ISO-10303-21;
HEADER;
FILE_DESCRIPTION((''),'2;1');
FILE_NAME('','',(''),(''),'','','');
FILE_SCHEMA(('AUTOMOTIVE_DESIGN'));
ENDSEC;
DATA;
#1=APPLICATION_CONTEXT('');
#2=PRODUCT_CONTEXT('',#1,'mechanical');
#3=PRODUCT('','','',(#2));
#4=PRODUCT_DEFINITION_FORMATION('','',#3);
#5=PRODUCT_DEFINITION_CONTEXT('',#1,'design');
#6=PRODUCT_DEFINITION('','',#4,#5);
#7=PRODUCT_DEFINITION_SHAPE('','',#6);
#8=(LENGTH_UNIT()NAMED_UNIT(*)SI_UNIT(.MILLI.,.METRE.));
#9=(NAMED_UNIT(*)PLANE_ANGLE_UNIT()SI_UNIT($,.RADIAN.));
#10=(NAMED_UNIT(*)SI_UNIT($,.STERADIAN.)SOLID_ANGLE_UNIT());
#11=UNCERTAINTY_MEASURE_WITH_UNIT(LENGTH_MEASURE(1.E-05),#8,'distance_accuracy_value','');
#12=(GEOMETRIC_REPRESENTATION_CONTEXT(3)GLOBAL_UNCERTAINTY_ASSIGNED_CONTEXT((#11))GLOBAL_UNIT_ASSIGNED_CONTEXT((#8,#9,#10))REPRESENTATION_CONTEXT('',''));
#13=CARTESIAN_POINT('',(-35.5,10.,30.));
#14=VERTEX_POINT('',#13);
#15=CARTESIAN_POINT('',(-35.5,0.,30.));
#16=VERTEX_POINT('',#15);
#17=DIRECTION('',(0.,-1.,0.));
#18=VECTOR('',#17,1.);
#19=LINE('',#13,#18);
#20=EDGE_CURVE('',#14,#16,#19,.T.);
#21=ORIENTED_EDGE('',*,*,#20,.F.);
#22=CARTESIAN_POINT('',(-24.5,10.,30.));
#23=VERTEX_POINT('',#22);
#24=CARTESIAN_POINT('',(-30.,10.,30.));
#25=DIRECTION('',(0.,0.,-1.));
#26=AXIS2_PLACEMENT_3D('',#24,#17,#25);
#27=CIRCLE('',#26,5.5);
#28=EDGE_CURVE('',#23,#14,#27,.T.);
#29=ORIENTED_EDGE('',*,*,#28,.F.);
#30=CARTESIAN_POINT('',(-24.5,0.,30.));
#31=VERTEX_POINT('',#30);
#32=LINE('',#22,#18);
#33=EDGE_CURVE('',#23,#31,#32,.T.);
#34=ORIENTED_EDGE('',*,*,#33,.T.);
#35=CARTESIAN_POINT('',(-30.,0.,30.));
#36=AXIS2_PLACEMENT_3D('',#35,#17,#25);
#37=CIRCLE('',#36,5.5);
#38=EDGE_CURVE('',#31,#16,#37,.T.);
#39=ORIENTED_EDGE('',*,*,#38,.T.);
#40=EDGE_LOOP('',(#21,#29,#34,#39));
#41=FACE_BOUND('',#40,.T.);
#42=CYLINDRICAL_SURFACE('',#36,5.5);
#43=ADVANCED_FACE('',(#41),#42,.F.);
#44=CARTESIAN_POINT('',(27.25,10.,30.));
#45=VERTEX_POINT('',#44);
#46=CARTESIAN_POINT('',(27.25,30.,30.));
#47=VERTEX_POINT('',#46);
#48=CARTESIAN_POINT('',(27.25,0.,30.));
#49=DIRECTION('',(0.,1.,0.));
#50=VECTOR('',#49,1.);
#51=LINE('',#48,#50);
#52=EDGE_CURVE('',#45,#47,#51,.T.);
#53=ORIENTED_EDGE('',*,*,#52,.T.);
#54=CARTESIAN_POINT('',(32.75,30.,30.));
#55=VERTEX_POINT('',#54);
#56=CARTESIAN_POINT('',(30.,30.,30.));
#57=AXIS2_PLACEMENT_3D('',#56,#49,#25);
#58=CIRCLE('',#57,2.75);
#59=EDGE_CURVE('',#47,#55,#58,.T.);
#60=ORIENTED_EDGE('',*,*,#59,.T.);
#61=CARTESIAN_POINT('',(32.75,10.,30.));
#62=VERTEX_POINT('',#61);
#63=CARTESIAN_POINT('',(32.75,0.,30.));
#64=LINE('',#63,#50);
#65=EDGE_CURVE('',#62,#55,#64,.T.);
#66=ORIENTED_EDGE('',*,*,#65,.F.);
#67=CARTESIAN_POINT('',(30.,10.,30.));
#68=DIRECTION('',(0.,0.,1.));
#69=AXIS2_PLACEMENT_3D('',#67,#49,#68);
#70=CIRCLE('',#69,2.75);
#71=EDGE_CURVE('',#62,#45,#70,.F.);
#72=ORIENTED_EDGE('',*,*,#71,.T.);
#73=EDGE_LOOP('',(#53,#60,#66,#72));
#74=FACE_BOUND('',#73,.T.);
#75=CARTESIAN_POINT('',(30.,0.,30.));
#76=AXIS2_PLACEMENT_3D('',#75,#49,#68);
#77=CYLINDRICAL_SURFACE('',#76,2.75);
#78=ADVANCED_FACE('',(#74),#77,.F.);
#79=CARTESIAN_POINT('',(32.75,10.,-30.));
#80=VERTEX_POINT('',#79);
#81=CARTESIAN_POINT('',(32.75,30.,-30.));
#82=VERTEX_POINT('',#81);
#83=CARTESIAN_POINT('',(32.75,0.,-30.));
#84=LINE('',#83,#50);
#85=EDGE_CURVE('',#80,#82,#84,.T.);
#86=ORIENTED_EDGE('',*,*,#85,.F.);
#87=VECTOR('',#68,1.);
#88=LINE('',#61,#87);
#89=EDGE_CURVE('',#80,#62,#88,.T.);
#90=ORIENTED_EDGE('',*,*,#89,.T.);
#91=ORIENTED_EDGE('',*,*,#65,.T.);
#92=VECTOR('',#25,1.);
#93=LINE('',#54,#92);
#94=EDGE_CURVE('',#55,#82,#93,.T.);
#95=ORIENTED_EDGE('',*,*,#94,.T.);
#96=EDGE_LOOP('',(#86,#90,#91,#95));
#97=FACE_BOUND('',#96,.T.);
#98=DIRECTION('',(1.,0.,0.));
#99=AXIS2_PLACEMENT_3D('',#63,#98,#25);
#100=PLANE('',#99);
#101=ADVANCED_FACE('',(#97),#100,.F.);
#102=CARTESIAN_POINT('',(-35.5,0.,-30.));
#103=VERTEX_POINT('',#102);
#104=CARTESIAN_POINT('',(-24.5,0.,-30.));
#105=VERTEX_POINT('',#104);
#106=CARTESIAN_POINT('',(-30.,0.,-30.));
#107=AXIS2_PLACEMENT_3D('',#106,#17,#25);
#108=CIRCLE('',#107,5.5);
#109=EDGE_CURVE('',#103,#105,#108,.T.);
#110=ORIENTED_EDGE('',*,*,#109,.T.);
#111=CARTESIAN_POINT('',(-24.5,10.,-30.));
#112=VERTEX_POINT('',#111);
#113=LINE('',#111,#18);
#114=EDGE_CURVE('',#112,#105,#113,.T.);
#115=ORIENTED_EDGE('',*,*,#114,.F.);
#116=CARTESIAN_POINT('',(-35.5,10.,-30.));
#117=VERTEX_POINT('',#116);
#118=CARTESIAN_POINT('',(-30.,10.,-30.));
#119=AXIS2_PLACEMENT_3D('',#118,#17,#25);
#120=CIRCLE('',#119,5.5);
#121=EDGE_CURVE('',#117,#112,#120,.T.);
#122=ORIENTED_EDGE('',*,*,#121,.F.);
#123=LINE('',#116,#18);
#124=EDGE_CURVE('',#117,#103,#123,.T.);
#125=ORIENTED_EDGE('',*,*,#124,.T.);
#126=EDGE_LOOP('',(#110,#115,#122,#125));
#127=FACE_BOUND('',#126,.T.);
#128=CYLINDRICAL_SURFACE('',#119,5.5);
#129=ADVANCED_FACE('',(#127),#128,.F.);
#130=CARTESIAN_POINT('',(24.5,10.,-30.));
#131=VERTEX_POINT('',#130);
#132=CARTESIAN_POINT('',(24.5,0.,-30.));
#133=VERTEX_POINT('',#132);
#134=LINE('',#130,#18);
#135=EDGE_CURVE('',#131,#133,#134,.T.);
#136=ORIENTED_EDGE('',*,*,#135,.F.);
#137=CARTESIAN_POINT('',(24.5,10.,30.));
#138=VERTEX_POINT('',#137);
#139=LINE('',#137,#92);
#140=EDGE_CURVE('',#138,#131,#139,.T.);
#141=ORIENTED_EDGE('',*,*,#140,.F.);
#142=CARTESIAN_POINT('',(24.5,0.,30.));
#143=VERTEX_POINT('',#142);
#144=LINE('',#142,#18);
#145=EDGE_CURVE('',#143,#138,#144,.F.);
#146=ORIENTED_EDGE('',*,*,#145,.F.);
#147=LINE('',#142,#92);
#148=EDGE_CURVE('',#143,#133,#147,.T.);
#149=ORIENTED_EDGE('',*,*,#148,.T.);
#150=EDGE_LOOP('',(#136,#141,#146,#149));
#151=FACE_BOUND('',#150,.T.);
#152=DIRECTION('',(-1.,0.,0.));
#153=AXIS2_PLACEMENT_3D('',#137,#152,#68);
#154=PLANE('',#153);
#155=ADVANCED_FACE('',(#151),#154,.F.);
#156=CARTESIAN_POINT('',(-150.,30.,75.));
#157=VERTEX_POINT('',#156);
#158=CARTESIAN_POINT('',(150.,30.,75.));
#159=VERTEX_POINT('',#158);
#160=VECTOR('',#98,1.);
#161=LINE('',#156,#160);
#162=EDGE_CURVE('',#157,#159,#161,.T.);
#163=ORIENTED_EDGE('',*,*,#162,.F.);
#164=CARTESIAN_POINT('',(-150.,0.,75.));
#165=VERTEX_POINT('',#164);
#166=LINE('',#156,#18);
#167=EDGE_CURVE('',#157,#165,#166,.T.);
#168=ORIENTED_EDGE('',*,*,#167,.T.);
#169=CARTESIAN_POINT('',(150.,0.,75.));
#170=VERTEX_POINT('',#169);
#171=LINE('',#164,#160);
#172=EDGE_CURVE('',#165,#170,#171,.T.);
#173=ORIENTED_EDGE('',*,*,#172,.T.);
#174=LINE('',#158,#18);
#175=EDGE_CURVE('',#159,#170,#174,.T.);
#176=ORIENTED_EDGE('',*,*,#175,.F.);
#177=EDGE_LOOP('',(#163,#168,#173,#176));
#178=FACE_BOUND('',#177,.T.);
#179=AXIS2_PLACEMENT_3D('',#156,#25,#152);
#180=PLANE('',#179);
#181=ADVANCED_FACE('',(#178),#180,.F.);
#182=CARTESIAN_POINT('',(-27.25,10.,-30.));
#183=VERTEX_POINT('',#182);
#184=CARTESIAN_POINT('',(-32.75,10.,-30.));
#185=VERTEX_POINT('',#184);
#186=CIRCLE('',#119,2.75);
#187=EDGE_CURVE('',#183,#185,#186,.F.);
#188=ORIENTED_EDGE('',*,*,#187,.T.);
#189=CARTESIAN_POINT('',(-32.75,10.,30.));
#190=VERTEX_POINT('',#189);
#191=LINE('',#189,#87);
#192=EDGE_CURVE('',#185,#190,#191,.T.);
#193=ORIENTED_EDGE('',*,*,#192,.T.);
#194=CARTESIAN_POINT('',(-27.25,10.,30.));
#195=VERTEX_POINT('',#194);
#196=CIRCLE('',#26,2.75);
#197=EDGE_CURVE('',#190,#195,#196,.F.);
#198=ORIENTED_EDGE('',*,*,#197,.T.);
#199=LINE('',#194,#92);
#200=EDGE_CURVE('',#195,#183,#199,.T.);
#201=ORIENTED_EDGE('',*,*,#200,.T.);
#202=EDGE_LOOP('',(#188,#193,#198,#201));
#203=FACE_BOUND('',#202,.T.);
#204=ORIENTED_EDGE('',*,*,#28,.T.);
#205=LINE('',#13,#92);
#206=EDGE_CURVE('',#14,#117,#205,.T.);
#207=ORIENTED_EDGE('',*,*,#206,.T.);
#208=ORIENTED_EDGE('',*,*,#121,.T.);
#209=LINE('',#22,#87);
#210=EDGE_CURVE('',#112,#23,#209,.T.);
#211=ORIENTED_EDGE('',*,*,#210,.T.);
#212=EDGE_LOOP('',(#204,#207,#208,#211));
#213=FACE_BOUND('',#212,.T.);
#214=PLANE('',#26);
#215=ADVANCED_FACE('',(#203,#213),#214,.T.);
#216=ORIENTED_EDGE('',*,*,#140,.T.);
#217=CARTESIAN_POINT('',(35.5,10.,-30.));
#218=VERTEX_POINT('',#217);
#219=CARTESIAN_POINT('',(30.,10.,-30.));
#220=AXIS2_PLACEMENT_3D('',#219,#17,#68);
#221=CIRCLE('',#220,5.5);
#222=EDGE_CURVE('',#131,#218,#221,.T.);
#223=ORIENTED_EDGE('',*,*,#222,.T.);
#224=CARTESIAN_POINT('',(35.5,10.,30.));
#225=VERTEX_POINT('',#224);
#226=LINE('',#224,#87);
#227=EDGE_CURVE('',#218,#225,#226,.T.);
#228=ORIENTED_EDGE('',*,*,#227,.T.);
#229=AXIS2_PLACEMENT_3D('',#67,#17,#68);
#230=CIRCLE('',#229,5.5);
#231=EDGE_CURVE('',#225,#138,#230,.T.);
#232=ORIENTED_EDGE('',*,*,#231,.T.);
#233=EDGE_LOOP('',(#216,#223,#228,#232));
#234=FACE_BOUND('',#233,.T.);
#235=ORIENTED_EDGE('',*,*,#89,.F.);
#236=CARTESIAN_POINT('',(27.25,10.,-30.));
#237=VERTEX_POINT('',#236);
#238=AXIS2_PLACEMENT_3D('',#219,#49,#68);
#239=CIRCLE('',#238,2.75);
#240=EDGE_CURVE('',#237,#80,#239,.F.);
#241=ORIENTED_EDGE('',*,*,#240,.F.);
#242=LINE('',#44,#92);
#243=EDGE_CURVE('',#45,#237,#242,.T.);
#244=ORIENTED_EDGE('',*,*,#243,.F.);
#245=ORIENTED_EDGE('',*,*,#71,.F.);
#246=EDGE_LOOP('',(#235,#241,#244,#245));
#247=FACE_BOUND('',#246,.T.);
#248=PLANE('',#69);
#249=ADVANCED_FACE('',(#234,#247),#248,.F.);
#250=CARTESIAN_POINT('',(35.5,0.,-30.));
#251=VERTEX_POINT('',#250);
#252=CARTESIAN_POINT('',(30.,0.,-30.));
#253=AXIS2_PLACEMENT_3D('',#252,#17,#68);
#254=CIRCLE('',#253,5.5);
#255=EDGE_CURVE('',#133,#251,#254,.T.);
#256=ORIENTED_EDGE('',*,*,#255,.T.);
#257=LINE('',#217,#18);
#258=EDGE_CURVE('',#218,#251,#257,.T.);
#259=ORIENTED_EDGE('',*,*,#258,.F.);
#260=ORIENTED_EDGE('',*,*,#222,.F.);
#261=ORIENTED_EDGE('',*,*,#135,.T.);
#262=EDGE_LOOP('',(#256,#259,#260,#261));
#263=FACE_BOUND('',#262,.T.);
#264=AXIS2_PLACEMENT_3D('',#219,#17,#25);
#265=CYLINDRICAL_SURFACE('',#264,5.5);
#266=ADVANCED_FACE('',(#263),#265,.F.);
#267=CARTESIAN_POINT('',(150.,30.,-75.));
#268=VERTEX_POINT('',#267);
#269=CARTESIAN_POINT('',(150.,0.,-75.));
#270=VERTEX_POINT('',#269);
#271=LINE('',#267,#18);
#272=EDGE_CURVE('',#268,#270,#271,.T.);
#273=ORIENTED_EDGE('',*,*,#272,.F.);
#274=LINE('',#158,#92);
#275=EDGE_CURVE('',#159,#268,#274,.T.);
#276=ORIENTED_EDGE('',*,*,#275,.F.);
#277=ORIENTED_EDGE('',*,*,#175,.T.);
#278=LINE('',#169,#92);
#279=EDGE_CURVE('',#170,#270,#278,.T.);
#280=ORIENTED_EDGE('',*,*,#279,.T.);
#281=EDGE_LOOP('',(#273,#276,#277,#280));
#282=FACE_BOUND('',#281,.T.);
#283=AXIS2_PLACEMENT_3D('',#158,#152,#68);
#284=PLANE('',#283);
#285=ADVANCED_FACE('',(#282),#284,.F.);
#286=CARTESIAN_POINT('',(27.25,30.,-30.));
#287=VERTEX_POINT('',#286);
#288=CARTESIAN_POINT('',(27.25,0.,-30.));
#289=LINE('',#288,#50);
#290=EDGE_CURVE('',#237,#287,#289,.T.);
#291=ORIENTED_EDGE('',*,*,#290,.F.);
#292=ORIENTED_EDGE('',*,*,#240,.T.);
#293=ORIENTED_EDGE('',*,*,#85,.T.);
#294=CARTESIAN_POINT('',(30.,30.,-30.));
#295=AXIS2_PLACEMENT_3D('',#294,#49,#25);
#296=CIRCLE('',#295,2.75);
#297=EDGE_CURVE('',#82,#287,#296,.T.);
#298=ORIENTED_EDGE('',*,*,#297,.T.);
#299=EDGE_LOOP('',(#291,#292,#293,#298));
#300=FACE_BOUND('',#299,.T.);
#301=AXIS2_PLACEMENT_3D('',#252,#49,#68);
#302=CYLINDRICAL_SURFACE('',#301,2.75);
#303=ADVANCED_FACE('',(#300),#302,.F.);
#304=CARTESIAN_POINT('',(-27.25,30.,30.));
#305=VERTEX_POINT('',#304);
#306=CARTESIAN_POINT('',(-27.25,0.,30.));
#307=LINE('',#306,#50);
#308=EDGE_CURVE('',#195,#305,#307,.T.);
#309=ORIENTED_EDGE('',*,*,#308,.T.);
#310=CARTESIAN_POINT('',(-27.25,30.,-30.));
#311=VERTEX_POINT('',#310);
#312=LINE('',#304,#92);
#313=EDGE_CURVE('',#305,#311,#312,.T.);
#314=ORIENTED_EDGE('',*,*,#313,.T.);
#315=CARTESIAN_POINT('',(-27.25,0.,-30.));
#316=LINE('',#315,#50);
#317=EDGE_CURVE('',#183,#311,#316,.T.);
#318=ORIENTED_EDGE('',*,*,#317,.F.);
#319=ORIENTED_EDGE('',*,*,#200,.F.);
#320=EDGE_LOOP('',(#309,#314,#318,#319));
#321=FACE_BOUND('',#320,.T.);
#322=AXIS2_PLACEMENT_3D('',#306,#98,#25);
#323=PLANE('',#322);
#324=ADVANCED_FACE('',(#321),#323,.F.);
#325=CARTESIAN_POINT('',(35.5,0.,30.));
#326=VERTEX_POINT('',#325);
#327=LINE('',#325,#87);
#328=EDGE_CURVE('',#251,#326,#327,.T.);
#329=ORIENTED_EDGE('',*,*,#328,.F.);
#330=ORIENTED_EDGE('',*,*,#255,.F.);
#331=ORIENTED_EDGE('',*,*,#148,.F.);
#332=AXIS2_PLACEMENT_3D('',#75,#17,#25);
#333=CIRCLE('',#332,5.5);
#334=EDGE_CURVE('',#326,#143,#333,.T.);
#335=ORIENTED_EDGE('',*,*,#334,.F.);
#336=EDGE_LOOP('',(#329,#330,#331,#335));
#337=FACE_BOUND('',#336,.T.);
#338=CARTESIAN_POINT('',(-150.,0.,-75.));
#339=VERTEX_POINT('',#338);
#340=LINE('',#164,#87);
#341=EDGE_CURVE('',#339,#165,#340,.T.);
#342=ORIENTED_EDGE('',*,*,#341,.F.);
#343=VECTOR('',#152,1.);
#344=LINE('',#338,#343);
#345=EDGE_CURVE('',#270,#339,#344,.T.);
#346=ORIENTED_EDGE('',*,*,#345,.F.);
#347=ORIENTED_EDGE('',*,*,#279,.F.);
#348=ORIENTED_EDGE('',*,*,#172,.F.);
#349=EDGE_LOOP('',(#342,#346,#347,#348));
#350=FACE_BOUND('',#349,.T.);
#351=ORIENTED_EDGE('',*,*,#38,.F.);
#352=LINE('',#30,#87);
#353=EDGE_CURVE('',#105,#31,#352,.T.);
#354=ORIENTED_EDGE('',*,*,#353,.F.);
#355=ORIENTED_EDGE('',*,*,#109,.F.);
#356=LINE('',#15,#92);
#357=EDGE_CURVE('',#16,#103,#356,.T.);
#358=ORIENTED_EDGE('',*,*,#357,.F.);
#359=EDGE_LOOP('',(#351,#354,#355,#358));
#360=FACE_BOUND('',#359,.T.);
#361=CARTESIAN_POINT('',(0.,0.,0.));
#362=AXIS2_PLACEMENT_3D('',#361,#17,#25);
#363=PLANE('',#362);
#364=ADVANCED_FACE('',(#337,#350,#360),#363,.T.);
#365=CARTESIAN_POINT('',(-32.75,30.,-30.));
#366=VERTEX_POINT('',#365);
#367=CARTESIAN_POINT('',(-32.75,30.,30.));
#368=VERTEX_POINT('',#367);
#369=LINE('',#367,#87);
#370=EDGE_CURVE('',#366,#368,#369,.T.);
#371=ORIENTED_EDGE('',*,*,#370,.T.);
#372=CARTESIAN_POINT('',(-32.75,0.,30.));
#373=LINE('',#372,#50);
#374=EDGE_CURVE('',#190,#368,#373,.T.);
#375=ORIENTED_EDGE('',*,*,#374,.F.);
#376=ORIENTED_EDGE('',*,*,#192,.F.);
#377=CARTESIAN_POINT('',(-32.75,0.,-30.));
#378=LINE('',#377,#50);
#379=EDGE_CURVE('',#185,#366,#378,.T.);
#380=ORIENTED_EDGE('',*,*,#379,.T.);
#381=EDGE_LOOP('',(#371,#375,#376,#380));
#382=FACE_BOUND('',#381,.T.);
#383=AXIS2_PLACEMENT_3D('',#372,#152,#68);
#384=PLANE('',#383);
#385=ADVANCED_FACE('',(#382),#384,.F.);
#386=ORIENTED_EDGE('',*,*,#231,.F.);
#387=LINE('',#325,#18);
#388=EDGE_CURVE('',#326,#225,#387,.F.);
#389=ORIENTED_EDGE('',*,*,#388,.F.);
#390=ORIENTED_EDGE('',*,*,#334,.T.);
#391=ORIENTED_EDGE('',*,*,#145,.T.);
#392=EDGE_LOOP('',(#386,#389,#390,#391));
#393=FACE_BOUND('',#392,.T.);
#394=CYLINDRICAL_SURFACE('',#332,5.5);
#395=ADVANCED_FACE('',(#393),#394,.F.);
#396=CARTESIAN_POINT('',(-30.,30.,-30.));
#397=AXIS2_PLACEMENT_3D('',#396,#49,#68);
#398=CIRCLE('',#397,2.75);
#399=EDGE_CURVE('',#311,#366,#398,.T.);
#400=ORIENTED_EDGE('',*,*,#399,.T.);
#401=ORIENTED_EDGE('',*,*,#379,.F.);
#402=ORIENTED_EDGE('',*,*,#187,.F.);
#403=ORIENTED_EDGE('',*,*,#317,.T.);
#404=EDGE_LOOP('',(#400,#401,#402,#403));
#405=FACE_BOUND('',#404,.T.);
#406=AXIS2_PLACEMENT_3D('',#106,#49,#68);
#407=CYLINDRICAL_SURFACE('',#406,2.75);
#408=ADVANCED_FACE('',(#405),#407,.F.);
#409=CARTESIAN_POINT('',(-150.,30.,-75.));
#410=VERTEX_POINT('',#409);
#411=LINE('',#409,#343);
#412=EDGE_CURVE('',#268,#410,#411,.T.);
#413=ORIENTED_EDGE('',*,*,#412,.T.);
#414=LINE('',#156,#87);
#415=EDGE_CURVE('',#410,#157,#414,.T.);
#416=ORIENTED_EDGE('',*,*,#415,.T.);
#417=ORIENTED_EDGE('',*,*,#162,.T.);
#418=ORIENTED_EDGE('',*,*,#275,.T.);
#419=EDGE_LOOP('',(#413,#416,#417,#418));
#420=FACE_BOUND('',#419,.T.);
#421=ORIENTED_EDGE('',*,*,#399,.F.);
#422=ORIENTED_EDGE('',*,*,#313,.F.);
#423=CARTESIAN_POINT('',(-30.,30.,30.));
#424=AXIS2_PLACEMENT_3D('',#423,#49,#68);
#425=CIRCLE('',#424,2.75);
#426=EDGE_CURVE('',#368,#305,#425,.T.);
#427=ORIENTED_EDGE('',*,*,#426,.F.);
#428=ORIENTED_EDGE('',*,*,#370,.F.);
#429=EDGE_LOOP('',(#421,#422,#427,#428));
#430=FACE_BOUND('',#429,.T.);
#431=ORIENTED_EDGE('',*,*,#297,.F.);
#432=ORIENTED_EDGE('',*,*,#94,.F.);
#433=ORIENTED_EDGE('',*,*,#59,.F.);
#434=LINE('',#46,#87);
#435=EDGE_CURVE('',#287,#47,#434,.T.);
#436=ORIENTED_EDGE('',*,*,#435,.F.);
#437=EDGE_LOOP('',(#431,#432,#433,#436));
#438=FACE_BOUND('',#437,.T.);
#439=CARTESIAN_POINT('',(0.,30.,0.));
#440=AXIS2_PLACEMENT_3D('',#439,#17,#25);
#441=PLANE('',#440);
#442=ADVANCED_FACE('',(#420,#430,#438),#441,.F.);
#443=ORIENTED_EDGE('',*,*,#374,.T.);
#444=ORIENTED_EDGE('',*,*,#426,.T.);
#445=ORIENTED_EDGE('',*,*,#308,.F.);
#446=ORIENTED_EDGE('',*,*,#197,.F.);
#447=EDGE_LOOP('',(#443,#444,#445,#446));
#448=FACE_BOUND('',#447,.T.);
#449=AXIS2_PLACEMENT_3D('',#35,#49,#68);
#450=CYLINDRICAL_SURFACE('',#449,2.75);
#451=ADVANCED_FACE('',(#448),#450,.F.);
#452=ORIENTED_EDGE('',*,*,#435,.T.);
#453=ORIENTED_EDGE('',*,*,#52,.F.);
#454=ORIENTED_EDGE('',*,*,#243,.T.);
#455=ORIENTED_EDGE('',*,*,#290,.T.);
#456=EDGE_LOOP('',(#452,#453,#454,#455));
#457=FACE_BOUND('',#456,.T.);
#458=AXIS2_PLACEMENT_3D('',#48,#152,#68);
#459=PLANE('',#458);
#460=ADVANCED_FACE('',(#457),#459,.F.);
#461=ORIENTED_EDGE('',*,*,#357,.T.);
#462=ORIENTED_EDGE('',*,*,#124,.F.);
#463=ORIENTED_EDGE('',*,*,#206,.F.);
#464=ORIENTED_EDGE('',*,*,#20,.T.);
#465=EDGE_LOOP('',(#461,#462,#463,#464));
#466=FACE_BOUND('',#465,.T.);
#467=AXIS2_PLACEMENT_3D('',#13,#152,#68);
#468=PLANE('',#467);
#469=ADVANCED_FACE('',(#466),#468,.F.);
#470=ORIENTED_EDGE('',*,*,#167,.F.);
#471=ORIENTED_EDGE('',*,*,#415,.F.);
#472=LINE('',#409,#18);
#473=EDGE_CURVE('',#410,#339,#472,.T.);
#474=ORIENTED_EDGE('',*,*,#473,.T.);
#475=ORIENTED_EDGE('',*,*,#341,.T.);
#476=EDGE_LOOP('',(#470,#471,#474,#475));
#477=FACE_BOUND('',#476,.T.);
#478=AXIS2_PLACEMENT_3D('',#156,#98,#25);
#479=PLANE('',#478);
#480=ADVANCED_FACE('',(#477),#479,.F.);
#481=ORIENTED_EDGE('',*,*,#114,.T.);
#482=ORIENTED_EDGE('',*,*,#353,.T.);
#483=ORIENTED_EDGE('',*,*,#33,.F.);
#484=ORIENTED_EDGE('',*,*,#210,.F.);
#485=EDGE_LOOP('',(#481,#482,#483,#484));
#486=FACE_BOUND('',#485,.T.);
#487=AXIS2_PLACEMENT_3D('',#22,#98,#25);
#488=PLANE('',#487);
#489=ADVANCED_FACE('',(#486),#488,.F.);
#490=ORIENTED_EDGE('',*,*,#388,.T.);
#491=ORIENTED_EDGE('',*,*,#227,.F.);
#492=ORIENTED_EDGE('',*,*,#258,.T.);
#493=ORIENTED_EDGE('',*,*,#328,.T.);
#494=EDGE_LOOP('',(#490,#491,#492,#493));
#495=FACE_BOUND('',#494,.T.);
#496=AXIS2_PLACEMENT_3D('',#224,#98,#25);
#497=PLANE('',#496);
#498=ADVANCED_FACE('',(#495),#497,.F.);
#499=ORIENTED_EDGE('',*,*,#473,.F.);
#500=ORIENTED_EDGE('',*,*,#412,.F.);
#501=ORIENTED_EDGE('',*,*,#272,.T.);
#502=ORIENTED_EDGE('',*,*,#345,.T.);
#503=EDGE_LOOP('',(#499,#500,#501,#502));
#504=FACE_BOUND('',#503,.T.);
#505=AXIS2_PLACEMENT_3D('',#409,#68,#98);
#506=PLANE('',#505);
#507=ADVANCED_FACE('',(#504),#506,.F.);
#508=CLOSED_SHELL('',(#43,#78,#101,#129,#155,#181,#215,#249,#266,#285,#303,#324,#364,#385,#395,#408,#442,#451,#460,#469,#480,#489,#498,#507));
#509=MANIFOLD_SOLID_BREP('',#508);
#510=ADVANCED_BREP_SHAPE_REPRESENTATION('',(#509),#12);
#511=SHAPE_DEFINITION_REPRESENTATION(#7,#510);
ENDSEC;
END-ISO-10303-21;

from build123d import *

# Parameters (mm, degrees)
SKETCH1_W                                        = 300
SKETCH1_H                                        = 150
BOSS_EXTRUDE1_DEPTH                              = 30
CUT_EXTRUDE2_DEPTH                               = 30
CBORE_FOR_M5_PAN_HEAD_MACHINE_SCREW1_D           = 5.5
CBORE_FOR_M5_PAN_HEAD_MACHINE_SCREW1_DEPTH       = 110
CBORE_FOR_M5_PAN_HEAD_MACHINE_SCREW1_CBORE_D     = 11
CBORE_FOR_M5_PAN_HEAD_MACHINE_SCREW1_CBORE_DEPTH = 3.7
CUT_EXTRUDE3_DEPTH                               = 10


with BuildPart() as part:
    # Sketch1 → Boss-Extrude1 (new body)
    with BuildSketch(Plane(origin=(0, 0, 0), x_dir=(1, 0, 0), z_dir=(0, 1, 0))):
        Rectangle(SKETCH1_W, SKETCH1_H)
    extrude(amount=BOSS_EXTRUDE1_DEPTH)

    # Sketch4 → Cut-Extrude2 (cut)
    with BuildSketch(Plane(origin=(0, 30, 0), x_dir=(1, 0, 0), z_dir=(0, 1, 0))):
        with BuildLine():
            Line((-32.75, -30), (-32.75, 30))
            ThreePointArc((-32.75, 30), (-30, 32.75), (-27.25, 30))
            Line((-27.25, 30), (-27.25, -30))
            ThreePointArc((-27.25, -30), (-30, -32.75), (-32.75, -30))
        make_face()
        with BuildLine():
            Line((32.75, -30), (32.75, 30))
            ThreePointArc((32.75, 30), (30, 32.75), (27.25, 30))
            Line((27.25, 30), (27.25, -30))
            ThreePointArc((27.25, -30), (30, -32.75), (32.75, -30))
        make_face()
    extrude(amount=-CUT_EXTRUDE2_DEPTH, mode=Mode.SUBTRACT)

    # CBORE for M5 Pan Head Machine Screw1
    with Locations(Plane(origin=(0, 0, 0), x_dir=(-1, 0, 0), z_dir=(0, -1, 0))):
        with Locations((30, -30), (-30, -30)):
            CounterBoreHole(CBORE_FOR_M5_PAN_HEAD_MACHINE_SCREW1_D / 2, CBORE_FOR_M5_PAN_HEAD_MACHINE_SCREW1_CBORE_D / 2, CBORE_FOR_M5_PAN_HEAD_MACHINE_SCREW1_CBORE_DEPTH, depth=CBORE_FOR_M5_PAN_HEAD_MACHINE_SCREW1_DEPTH)

    # Sketch8 → Cut-Extrude3 (cut)
    with BuildSketch(Plane.XZ):
        with BuildLine():
            Line((-24.5, 30), (-24.5, -30))
            ThreePointArc((-24.5, -30), (-30, -35.5), (-35.5, -30))
            Line((-35.5, -30), (-35.5, 30))
            ThreePointArc((-35.5, 30), (-30, 35.5), (-24.5, 30))
        make_face()
        with BuildLine():
            Line((24.5, 30), (24.5, -30))
            ThreePointArc((24.5, -30), (30, -35.5), (35.5, -30))
            Line((35.5, -30), (35.5, 30))
            ThreePointArc((35.5, 30), (30, 35.5), (24.5, 30))
        make_face()
    extrude(amount=-CUT_EXTRUDE3_DEPTH, mode=Mode.SUBTRACT)


solid = part.part
